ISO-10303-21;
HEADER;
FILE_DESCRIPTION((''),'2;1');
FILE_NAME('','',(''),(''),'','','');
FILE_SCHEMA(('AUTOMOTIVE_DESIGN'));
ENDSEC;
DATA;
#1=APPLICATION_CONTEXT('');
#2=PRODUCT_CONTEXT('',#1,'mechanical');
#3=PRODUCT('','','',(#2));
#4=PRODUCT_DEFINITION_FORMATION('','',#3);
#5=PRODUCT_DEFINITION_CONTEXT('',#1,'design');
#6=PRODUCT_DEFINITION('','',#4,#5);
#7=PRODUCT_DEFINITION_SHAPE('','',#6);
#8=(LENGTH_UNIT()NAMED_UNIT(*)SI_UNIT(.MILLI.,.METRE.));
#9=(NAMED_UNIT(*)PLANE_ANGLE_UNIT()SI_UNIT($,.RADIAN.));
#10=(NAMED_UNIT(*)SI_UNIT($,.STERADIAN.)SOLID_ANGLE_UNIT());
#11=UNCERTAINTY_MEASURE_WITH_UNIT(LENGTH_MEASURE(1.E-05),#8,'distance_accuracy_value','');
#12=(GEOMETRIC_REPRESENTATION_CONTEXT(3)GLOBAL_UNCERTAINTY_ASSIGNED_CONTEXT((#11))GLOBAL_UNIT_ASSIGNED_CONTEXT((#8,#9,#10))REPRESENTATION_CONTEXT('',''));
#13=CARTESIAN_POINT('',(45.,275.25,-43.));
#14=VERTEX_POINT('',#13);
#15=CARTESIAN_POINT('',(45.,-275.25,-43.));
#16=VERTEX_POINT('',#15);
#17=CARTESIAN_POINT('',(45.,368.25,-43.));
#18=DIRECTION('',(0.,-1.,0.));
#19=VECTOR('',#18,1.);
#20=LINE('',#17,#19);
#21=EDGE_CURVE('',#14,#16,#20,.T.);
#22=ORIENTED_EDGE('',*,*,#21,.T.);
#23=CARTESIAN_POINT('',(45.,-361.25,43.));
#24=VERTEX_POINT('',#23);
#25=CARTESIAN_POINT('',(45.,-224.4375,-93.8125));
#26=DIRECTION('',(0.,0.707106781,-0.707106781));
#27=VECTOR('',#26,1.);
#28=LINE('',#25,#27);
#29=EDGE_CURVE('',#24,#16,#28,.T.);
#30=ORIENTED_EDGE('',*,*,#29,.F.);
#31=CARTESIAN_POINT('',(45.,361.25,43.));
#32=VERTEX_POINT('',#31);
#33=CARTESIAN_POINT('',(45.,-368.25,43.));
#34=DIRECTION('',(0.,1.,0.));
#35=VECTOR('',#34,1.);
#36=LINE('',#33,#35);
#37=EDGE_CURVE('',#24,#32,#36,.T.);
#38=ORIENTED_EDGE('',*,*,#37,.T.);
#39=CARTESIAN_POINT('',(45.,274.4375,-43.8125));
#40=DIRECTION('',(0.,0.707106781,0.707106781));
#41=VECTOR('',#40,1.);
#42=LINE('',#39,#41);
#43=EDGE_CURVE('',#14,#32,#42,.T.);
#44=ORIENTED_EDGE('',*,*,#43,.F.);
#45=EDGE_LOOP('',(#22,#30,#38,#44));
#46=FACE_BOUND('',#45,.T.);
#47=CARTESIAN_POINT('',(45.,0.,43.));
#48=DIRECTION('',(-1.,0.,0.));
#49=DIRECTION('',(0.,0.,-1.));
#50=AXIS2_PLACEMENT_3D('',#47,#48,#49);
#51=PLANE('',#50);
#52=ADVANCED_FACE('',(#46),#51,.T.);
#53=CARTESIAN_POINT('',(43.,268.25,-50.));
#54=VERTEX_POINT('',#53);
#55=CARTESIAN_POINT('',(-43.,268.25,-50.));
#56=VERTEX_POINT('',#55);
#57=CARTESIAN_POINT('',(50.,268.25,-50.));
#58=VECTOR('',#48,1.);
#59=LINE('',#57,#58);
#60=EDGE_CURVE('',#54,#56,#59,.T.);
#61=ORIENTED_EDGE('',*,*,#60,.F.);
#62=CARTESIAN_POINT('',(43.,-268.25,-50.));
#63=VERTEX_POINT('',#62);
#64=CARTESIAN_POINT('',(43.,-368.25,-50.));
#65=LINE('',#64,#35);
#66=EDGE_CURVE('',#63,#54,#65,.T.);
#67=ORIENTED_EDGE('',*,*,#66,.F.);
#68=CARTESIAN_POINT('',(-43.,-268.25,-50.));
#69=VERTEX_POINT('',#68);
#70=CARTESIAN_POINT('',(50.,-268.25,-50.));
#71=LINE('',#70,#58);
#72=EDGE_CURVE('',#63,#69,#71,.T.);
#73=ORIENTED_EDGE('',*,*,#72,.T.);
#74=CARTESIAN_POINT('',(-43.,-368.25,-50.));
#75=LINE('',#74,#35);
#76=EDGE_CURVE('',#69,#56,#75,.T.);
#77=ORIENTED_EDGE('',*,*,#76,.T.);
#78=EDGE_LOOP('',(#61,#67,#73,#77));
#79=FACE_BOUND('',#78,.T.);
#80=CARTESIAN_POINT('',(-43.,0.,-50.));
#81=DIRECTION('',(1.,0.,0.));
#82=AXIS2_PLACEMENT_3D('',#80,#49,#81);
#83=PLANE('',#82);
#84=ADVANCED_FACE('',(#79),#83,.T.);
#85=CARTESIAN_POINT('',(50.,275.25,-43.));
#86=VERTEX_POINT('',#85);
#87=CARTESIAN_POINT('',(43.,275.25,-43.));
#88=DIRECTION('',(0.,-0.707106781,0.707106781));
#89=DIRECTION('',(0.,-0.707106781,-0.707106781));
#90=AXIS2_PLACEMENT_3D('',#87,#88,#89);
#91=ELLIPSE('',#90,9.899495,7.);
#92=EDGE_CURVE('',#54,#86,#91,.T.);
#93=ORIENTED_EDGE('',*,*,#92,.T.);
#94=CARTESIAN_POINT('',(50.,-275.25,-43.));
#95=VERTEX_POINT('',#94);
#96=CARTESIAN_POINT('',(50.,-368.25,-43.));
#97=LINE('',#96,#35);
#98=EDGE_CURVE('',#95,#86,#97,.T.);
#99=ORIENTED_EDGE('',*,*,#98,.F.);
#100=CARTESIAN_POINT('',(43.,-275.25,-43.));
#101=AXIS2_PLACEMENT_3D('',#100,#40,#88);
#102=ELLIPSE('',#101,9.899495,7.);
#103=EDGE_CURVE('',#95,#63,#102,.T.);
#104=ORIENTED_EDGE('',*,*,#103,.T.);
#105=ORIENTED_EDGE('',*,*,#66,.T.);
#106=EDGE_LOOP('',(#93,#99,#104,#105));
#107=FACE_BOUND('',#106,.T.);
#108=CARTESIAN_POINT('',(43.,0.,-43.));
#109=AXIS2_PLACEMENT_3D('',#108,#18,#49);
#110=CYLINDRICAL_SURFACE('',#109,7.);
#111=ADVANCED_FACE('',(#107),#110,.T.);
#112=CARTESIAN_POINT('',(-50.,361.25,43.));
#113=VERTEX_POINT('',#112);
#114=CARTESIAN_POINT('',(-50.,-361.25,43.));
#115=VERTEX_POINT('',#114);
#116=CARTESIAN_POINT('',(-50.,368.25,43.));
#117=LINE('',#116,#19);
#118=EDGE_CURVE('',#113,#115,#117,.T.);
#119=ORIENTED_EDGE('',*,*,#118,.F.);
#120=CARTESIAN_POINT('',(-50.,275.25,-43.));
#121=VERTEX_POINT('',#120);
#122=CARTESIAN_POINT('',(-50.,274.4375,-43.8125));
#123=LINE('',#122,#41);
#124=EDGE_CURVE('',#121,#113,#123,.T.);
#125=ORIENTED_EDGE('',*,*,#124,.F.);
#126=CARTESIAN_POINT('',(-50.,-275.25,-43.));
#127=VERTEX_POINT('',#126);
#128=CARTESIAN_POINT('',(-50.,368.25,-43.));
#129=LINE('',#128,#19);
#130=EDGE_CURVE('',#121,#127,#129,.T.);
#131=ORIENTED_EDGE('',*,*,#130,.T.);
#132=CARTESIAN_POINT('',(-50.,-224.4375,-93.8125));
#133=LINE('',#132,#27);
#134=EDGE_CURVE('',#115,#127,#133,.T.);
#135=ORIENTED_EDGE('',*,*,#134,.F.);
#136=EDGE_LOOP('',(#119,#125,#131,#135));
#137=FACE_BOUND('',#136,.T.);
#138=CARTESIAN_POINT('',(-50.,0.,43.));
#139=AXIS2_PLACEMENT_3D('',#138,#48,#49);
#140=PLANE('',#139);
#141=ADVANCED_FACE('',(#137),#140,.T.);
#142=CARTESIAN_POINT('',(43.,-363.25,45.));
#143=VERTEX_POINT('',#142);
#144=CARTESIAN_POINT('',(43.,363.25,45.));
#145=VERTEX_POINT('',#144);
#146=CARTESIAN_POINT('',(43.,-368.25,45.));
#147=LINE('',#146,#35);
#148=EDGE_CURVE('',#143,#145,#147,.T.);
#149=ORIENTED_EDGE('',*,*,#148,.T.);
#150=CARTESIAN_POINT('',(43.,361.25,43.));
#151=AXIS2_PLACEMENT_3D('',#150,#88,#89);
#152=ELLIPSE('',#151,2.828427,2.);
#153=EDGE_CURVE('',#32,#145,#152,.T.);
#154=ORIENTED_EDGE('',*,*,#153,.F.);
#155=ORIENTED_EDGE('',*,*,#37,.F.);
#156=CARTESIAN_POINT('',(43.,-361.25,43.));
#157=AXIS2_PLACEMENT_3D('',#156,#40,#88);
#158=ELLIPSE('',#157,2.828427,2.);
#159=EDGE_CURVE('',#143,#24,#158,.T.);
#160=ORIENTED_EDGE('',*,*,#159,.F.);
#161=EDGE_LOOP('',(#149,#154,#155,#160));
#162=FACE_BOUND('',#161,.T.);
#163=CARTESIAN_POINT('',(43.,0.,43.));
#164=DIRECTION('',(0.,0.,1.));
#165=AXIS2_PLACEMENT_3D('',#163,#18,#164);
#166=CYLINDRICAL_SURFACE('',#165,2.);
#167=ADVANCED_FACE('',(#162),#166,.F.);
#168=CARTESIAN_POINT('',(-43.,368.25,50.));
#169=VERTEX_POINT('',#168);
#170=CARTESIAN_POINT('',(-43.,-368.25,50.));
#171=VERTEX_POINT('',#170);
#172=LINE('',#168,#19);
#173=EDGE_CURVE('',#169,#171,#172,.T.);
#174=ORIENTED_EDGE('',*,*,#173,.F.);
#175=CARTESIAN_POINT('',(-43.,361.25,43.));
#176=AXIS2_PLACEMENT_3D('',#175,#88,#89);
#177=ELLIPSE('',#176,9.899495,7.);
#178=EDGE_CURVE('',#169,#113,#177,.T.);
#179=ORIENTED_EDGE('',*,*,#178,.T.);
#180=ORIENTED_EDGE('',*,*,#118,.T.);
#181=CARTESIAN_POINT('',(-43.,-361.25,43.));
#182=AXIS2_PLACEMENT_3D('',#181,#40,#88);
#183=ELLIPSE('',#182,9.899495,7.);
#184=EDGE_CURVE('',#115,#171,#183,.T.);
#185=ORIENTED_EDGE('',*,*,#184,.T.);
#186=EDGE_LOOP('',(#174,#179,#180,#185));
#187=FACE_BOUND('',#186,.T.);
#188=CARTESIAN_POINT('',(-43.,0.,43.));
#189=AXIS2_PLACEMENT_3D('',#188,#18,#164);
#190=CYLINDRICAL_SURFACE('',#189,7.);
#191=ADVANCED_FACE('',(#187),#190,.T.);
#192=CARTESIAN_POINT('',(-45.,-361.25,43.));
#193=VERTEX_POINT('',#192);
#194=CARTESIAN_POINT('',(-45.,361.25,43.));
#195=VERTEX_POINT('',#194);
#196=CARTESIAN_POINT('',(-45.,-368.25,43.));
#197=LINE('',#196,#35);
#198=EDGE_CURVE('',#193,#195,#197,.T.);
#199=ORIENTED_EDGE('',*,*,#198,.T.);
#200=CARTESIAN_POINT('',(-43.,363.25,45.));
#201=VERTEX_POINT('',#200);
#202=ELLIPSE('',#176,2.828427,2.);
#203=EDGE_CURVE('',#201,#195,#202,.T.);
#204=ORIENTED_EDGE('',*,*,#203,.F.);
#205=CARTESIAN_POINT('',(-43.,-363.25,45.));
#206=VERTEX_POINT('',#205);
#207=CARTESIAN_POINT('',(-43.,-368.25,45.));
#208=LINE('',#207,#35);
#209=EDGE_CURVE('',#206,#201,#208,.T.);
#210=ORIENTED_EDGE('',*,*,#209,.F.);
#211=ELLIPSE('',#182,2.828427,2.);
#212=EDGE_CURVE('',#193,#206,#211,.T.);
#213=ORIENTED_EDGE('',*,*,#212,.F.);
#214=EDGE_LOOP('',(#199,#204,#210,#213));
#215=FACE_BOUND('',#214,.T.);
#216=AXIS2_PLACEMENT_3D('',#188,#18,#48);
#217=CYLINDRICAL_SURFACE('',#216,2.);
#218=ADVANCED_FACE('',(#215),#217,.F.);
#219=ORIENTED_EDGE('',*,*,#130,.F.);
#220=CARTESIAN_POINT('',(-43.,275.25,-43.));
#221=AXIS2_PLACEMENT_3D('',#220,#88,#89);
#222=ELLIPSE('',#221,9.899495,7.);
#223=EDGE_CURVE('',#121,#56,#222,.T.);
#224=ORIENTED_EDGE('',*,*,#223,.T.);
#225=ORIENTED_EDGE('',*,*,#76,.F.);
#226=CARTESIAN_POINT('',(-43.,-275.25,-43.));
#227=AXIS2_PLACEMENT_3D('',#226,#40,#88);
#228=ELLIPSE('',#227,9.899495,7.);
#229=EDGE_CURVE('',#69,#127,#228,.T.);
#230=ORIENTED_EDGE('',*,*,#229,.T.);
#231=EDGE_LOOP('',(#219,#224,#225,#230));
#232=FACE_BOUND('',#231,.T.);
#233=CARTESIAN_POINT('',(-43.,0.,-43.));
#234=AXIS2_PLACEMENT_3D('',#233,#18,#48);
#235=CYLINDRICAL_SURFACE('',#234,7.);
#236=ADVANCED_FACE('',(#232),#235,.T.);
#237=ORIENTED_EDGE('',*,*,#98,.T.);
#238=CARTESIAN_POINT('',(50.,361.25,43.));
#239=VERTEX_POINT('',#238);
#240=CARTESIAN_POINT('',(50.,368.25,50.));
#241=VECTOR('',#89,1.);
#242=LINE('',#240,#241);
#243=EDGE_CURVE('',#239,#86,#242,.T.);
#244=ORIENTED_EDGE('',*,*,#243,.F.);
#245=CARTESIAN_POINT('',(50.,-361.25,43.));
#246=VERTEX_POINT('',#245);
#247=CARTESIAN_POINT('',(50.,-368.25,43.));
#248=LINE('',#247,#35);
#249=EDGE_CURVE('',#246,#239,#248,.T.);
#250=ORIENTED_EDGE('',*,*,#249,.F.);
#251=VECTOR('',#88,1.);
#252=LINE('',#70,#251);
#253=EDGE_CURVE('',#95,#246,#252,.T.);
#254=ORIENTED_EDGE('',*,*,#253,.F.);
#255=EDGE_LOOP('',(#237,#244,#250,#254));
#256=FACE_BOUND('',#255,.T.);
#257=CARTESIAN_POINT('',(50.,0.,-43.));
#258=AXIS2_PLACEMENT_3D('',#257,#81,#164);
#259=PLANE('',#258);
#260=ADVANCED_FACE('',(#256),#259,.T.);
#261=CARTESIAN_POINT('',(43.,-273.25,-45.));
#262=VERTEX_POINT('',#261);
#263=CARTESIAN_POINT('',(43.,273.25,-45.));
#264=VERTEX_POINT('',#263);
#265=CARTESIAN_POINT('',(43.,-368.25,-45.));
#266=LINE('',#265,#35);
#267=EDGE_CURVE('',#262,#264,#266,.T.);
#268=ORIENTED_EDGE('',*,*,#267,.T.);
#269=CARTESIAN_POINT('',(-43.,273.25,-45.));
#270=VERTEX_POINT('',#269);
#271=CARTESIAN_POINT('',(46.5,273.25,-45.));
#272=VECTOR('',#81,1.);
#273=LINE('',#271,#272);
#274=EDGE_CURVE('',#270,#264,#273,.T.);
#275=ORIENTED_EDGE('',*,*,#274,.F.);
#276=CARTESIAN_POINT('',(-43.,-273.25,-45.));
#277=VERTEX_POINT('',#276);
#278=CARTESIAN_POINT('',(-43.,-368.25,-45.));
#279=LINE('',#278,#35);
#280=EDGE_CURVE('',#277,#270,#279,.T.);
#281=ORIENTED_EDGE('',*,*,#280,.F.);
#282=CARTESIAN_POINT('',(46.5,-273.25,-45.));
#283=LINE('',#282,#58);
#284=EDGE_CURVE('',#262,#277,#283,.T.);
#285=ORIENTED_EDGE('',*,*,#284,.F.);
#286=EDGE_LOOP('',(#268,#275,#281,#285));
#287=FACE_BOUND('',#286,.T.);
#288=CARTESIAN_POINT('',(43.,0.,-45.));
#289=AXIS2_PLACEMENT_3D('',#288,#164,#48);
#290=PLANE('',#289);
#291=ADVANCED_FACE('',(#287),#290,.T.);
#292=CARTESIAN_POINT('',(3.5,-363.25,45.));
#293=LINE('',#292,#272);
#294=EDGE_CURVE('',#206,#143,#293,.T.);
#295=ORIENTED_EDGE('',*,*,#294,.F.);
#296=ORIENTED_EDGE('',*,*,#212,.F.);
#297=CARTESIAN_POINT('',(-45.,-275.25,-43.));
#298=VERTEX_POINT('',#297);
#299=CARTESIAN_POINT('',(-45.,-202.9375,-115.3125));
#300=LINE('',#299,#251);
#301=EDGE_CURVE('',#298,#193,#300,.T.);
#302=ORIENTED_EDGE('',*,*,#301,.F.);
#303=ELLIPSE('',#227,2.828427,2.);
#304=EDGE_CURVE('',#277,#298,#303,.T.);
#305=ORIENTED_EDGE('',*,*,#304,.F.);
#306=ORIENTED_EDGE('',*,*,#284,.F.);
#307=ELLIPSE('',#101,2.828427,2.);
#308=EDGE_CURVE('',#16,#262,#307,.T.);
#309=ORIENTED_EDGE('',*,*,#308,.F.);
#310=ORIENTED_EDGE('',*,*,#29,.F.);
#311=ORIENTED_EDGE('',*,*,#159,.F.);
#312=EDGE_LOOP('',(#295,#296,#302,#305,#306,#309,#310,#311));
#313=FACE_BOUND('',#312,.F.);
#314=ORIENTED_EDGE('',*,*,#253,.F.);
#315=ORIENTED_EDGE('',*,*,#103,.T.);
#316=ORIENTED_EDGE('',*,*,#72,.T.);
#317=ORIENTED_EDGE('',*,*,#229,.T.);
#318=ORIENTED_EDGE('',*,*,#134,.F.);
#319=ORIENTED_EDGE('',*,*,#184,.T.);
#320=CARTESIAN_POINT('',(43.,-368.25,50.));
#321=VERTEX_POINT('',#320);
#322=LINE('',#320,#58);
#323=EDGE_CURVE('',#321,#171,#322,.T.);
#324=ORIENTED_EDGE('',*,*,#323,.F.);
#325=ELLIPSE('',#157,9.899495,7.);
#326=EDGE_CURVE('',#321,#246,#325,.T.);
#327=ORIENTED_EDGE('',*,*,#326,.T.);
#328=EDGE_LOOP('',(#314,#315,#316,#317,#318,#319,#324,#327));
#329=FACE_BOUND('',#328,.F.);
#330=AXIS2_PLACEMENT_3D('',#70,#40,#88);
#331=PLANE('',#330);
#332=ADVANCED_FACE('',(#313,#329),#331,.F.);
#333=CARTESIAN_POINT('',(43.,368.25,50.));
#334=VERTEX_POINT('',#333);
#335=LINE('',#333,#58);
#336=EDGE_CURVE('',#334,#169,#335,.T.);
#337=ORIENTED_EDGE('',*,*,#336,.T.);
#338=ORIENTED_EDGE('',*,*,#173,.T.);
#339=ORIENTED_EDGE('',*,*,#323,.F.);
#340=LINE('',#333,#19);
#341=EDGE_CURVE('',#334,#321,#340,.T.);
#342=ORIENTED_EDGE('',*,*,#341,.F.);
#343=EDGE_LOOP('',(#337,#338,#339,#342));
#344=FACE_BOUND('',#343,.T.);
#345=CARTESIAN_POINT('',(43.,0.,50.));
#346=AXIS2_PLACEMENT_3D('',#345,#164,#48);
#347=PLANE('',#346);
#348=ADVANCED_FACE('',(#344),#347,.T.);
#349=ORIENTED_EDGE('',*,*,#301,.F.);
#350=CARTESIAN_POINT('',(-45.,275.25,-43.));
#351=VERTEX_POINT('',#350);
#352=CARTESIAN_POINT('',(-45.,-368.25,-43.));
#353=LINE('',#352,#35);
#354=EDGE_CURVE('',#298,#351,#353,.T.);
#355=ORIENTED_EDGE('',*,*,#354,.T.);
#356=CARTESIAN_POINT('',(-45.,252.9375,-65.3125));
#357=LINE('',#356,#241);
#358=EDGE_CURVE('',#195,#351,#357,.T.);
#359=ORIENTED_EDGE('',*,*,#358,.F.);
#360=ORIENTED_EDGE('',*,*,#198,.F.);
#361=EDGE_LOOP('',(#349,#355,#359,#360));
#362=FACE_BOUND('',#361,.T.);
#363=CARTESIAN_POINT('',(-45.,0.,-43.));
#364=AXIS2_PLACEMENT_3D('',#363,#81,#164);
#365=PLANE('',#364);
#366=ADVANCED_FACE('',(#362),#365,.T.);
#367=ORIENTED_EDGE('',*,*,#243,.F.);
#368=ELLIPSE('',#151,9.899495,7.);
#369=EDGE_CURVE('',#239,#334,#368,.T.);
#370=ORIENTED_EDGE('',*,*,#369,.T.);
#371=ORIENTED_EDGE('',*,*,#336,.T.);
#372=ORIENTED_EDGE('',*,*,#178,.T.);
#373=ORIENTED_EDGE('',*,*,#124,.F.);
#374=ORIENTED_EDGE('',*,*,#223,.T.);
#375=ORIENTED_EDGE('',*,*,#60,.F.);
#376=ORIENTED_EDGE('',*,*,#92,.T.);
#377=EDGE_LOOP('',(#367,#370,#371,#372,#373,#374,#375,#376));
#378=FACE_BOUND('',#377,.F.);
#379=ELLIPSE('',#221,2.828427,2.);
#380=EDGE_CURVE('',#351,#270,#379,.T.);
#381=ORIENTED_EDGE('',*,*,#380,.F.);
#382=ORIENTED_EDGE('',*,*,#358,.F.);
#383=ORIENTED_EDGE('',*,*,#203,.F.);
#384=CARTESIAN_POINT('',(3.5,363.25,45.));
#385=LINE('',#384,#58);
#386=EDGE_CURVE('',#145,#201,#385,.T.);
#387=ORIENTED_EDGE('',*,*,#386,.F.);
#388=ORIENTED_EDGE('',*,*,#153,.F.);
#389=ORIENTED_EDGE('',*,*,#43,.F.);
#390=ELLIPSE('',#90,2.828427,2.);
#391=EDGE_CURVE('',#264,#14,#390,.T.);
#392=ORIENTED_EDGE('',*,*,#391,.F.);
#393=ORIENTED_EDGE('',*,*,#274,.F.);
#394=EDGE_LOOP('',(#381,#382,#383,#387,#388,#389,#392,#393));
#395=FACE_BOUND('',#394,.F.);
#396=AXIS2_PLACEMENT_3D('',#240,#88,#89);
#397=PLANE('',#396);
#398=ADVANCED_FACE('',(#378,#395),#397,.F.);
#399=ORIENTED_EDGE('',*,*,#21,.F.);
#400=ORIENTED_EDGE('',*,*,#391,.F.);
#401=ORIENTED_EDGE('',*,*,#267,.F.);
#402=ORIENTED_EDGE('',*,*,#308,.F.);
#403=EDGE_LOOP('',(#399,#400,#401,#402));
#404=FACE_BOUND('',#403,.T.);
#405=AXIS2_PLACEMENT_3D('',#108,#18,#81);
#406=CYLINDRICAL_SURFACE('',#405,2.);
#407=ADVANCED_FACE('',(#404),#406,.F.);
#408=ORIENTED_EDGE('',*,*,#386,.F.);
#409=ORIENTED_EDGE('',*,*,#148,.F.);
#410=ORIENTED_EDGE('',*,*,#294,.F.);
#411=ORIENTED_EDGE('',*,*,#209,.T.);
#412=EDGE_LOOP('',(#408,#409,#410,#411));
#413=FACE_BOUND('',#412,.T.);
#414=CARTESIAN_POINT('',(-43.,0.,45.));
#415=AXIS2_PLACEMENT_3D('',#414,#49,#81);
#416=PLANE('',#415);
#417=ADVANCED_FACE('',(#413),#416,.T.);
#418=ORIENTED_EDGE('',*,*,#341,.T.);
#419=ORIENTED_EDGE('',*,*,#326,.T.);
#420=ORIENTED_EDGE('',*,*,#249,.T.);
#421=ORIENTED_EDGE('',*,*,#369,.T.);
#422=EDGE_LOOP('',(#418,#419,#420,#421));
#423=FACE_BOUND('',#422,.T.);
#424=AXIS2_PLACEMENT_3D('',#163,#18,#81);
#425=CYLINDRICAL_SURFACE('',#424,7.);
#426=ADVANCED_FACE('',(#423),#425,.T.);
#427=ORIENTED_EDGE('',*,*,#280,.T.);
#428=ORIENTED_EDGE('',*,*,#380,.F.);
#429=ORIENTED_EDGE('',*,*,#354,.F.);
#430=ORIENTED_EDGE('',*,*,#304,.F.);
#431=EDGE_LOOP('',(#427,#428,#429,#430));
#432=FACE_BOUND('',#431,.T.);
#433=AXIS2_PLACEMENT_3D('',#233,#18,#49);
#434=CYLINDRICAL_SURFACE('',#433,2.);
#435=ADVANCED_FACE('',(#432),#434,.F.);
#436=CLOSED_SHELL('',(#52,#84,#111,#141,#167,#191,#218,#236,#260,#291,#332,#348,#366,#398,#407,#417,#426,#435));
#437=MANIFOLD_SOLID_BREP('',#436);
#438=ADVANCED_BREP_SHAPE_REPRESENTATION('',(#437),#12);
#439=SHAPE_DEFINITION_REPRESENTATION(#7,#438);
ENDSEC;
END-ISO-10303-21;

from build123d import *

# Parameters (mm, degrees)
F1_DEPTH = 368.25
F3_DEPTH = 100.001


with BuildPart() as f1:
    # F0 (on Front) → F1 (new body, symmetric)
    with BuildSketch(Plane.XZ):
        with BuildLine():
            ThreePointArc((50, 43), (47.9497474683, 47.9497474683), (43, 50))
            Line((43, 50), (-43, 50))
            ThreePointArc((-43, 50), (-47.9497474683, 47.9497474683), (-50, 43))
            Line((-50, 43), (-50, -43))
            ThreePointArc((-50, -43), (-47.9497474683, -47.9497474683), (-43, -50))
            Line((-43, -50), (43, -50))
            ThreePointArc((43, -50), (47.9497474683, -47.9497474683), (50, -43))
            Line((50, -43), (50, 43))
        make_face()
        with BuildLine():
            ThreePointArc((45, -43), (44.4142135624, -44.4142135624), (43, -45))
            Line((43, -45), (-43, -45))
            ThreePointArc((-43, -45), (-44.4142135624, -44.4142135624), (-45, -43))
            Line((-45, -43), (-45, 43))
            ThreePointArc((-45, 43), (-44.4142135624, 44.4142135624), (-43, 45))
            Line((-43, 45), (43, 45))
            ThreePointArc((43, 45), (44.4142135624, 44.4142135624), (45, 43))
            Line((45, 43), (45, -43))
        make_face(mode=Mode.SUBTRACT)
    extrude(amount=F1_DEPTH, both=True)

    # F2 (on face) → F3 (cut, through all)
    with BuildSketch(Plane.YZ.offset(50)):
        Polygon((-368.25, -50), (-268.25, -50), (-368.25, 50), align=None)
        Polygon((368.25, 50), (268.25, -50), (368.25, -50), align=None)
    extrude(amount=-F3_DEPTH, mode=Mode.SUBTRACT)


solid = f1.part
